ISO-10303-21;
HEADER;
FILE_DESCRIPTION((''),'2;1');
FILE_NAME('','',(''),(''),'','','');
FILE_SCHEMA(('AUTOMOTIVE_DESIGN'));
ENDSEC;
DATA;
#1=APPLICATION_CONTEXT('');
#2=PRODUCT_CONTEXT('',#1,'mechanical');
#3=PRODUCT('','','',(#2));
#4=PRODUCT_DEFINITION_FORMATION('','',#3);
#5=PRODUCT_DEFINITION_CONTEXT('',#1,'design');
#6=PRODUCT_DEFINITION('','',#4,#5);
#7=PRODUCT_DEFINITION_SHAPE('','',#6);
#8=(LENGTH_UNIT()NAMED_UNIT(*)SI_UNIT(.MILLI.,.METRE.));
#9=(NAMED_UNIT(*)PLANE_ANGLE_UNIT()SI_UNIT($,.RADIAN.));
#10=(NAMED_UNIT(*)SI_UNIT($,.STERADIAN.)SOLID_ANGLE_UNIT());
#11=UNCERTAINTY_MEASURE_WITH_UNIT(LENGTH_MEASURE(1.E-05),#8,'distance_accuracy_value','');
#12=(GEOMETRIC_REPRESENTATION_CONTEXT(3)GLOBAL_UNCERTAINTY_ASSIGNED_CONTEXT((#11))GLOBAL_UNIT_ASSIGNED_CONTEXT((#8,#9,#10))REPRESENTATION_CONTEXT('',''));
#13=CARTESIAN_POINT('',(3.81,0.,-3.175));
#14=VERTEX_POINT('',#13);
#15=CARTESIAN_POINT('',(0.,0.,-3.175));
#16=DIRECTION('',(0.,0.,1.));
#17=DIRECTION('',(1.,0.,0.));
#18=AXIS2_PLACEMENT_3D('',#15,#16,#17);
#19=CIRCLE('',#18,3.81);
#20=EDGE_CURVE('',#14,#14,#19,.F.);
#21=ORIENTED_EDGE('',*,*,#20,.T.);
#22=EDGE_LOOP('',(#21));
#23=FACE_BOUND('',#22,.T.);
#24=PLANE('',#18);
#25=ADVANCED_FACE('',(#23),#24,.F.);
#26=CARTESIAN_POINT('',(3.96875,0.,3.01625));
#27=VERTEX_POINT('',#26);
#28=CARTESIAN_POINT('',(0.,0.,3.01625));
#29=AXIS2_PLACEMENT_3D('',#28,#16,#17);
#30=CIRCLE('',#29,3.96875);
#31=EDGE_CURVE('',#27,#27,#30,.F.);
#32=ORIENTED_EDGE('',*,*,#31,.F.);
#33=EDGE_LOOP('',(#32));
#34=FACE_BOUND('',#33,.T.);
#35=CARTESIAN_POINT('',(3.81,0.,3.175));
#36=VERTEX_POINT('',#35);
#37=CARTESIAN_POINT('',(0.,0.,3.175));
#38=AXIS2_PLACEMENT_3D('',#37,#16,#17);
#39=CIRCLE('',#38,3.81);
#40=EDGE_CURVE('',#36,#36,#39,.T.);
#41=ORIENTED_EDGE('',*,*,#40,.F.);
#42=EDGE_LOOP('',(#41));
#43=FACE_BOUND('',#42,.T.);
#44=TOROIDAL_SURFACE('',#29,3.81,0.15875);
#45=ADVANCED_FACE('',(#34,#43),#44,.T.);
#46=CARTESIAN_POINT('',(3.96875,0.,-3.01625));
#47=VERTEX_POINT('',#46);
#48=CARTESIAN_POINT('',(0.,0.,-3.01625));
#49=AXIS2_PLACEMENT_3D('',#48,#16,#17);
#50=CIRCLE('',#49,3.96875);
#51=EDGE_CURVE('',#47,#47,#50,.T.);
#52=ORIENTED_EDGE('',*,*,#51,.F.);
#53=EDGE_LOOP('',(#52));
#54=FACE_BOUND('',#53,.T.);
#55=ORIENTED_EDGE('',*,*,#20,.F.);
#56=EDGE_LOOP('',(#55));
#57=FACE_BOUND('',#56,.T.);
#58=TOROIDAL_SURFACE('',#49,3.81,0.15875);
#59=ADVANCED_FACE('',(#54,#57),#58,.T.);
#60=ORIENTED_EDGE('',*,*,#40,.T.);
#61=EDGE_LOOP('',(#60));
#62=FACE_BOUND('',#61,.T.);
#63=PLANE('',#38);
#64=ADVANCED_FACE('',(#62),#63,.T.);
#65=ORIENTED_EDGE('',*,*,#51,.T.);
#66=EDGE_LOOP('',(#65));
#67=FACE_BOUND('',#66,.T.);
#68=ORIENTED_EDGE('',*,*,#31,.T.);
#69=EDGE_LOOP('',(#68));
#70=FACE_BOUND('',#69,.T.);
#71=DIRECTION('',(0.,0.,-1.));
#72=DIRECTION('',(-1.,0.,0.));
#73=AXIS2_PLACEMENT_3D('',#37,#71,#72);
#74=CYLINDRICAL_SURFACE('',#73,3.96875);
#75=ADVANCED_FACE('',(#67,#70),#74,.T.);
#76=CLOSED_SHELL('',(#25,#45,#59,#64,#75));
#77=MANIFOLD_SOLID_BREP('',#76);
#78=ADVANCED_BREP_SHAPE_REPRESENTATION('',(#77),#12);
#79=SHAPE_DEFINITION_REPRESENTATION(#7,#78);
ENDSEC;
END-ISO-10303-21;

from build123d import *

# Parameters (mm, degrees)
SKETCH3_R                = 3.96875
BOSS_EXTRUDE1_DEPTH      = 3.175
BOSS_EXTRUDE1_DEPTH_BACK = 3.175
FILLET1_R                = 0.15875


with BuildPart() as part:
    # Sketch3 → Boss-Extrude1 (new body, two sides)
    with BuildSketch(Plane.XY) as boss_extrude1_sk:
        Circle(SKETCH3_R)
    extrude(amount=BOSS_EXTRUDE1_DEPTH)
    extrude(boss_extrude1_sk.sketch, amount=-BOSS_EXTRUDE1_DEPTH_BACK)

    # Fillet1
    fillet1_edges = [part.edges().sort_by_distance(p)[0] for p in [
        (-3.96875, 0, -3.175),
        (-3.96875, 0, 3.175),
    ]]
    fillet(fillet1_edges, radius=FILLET1_R)


solid = part.part
